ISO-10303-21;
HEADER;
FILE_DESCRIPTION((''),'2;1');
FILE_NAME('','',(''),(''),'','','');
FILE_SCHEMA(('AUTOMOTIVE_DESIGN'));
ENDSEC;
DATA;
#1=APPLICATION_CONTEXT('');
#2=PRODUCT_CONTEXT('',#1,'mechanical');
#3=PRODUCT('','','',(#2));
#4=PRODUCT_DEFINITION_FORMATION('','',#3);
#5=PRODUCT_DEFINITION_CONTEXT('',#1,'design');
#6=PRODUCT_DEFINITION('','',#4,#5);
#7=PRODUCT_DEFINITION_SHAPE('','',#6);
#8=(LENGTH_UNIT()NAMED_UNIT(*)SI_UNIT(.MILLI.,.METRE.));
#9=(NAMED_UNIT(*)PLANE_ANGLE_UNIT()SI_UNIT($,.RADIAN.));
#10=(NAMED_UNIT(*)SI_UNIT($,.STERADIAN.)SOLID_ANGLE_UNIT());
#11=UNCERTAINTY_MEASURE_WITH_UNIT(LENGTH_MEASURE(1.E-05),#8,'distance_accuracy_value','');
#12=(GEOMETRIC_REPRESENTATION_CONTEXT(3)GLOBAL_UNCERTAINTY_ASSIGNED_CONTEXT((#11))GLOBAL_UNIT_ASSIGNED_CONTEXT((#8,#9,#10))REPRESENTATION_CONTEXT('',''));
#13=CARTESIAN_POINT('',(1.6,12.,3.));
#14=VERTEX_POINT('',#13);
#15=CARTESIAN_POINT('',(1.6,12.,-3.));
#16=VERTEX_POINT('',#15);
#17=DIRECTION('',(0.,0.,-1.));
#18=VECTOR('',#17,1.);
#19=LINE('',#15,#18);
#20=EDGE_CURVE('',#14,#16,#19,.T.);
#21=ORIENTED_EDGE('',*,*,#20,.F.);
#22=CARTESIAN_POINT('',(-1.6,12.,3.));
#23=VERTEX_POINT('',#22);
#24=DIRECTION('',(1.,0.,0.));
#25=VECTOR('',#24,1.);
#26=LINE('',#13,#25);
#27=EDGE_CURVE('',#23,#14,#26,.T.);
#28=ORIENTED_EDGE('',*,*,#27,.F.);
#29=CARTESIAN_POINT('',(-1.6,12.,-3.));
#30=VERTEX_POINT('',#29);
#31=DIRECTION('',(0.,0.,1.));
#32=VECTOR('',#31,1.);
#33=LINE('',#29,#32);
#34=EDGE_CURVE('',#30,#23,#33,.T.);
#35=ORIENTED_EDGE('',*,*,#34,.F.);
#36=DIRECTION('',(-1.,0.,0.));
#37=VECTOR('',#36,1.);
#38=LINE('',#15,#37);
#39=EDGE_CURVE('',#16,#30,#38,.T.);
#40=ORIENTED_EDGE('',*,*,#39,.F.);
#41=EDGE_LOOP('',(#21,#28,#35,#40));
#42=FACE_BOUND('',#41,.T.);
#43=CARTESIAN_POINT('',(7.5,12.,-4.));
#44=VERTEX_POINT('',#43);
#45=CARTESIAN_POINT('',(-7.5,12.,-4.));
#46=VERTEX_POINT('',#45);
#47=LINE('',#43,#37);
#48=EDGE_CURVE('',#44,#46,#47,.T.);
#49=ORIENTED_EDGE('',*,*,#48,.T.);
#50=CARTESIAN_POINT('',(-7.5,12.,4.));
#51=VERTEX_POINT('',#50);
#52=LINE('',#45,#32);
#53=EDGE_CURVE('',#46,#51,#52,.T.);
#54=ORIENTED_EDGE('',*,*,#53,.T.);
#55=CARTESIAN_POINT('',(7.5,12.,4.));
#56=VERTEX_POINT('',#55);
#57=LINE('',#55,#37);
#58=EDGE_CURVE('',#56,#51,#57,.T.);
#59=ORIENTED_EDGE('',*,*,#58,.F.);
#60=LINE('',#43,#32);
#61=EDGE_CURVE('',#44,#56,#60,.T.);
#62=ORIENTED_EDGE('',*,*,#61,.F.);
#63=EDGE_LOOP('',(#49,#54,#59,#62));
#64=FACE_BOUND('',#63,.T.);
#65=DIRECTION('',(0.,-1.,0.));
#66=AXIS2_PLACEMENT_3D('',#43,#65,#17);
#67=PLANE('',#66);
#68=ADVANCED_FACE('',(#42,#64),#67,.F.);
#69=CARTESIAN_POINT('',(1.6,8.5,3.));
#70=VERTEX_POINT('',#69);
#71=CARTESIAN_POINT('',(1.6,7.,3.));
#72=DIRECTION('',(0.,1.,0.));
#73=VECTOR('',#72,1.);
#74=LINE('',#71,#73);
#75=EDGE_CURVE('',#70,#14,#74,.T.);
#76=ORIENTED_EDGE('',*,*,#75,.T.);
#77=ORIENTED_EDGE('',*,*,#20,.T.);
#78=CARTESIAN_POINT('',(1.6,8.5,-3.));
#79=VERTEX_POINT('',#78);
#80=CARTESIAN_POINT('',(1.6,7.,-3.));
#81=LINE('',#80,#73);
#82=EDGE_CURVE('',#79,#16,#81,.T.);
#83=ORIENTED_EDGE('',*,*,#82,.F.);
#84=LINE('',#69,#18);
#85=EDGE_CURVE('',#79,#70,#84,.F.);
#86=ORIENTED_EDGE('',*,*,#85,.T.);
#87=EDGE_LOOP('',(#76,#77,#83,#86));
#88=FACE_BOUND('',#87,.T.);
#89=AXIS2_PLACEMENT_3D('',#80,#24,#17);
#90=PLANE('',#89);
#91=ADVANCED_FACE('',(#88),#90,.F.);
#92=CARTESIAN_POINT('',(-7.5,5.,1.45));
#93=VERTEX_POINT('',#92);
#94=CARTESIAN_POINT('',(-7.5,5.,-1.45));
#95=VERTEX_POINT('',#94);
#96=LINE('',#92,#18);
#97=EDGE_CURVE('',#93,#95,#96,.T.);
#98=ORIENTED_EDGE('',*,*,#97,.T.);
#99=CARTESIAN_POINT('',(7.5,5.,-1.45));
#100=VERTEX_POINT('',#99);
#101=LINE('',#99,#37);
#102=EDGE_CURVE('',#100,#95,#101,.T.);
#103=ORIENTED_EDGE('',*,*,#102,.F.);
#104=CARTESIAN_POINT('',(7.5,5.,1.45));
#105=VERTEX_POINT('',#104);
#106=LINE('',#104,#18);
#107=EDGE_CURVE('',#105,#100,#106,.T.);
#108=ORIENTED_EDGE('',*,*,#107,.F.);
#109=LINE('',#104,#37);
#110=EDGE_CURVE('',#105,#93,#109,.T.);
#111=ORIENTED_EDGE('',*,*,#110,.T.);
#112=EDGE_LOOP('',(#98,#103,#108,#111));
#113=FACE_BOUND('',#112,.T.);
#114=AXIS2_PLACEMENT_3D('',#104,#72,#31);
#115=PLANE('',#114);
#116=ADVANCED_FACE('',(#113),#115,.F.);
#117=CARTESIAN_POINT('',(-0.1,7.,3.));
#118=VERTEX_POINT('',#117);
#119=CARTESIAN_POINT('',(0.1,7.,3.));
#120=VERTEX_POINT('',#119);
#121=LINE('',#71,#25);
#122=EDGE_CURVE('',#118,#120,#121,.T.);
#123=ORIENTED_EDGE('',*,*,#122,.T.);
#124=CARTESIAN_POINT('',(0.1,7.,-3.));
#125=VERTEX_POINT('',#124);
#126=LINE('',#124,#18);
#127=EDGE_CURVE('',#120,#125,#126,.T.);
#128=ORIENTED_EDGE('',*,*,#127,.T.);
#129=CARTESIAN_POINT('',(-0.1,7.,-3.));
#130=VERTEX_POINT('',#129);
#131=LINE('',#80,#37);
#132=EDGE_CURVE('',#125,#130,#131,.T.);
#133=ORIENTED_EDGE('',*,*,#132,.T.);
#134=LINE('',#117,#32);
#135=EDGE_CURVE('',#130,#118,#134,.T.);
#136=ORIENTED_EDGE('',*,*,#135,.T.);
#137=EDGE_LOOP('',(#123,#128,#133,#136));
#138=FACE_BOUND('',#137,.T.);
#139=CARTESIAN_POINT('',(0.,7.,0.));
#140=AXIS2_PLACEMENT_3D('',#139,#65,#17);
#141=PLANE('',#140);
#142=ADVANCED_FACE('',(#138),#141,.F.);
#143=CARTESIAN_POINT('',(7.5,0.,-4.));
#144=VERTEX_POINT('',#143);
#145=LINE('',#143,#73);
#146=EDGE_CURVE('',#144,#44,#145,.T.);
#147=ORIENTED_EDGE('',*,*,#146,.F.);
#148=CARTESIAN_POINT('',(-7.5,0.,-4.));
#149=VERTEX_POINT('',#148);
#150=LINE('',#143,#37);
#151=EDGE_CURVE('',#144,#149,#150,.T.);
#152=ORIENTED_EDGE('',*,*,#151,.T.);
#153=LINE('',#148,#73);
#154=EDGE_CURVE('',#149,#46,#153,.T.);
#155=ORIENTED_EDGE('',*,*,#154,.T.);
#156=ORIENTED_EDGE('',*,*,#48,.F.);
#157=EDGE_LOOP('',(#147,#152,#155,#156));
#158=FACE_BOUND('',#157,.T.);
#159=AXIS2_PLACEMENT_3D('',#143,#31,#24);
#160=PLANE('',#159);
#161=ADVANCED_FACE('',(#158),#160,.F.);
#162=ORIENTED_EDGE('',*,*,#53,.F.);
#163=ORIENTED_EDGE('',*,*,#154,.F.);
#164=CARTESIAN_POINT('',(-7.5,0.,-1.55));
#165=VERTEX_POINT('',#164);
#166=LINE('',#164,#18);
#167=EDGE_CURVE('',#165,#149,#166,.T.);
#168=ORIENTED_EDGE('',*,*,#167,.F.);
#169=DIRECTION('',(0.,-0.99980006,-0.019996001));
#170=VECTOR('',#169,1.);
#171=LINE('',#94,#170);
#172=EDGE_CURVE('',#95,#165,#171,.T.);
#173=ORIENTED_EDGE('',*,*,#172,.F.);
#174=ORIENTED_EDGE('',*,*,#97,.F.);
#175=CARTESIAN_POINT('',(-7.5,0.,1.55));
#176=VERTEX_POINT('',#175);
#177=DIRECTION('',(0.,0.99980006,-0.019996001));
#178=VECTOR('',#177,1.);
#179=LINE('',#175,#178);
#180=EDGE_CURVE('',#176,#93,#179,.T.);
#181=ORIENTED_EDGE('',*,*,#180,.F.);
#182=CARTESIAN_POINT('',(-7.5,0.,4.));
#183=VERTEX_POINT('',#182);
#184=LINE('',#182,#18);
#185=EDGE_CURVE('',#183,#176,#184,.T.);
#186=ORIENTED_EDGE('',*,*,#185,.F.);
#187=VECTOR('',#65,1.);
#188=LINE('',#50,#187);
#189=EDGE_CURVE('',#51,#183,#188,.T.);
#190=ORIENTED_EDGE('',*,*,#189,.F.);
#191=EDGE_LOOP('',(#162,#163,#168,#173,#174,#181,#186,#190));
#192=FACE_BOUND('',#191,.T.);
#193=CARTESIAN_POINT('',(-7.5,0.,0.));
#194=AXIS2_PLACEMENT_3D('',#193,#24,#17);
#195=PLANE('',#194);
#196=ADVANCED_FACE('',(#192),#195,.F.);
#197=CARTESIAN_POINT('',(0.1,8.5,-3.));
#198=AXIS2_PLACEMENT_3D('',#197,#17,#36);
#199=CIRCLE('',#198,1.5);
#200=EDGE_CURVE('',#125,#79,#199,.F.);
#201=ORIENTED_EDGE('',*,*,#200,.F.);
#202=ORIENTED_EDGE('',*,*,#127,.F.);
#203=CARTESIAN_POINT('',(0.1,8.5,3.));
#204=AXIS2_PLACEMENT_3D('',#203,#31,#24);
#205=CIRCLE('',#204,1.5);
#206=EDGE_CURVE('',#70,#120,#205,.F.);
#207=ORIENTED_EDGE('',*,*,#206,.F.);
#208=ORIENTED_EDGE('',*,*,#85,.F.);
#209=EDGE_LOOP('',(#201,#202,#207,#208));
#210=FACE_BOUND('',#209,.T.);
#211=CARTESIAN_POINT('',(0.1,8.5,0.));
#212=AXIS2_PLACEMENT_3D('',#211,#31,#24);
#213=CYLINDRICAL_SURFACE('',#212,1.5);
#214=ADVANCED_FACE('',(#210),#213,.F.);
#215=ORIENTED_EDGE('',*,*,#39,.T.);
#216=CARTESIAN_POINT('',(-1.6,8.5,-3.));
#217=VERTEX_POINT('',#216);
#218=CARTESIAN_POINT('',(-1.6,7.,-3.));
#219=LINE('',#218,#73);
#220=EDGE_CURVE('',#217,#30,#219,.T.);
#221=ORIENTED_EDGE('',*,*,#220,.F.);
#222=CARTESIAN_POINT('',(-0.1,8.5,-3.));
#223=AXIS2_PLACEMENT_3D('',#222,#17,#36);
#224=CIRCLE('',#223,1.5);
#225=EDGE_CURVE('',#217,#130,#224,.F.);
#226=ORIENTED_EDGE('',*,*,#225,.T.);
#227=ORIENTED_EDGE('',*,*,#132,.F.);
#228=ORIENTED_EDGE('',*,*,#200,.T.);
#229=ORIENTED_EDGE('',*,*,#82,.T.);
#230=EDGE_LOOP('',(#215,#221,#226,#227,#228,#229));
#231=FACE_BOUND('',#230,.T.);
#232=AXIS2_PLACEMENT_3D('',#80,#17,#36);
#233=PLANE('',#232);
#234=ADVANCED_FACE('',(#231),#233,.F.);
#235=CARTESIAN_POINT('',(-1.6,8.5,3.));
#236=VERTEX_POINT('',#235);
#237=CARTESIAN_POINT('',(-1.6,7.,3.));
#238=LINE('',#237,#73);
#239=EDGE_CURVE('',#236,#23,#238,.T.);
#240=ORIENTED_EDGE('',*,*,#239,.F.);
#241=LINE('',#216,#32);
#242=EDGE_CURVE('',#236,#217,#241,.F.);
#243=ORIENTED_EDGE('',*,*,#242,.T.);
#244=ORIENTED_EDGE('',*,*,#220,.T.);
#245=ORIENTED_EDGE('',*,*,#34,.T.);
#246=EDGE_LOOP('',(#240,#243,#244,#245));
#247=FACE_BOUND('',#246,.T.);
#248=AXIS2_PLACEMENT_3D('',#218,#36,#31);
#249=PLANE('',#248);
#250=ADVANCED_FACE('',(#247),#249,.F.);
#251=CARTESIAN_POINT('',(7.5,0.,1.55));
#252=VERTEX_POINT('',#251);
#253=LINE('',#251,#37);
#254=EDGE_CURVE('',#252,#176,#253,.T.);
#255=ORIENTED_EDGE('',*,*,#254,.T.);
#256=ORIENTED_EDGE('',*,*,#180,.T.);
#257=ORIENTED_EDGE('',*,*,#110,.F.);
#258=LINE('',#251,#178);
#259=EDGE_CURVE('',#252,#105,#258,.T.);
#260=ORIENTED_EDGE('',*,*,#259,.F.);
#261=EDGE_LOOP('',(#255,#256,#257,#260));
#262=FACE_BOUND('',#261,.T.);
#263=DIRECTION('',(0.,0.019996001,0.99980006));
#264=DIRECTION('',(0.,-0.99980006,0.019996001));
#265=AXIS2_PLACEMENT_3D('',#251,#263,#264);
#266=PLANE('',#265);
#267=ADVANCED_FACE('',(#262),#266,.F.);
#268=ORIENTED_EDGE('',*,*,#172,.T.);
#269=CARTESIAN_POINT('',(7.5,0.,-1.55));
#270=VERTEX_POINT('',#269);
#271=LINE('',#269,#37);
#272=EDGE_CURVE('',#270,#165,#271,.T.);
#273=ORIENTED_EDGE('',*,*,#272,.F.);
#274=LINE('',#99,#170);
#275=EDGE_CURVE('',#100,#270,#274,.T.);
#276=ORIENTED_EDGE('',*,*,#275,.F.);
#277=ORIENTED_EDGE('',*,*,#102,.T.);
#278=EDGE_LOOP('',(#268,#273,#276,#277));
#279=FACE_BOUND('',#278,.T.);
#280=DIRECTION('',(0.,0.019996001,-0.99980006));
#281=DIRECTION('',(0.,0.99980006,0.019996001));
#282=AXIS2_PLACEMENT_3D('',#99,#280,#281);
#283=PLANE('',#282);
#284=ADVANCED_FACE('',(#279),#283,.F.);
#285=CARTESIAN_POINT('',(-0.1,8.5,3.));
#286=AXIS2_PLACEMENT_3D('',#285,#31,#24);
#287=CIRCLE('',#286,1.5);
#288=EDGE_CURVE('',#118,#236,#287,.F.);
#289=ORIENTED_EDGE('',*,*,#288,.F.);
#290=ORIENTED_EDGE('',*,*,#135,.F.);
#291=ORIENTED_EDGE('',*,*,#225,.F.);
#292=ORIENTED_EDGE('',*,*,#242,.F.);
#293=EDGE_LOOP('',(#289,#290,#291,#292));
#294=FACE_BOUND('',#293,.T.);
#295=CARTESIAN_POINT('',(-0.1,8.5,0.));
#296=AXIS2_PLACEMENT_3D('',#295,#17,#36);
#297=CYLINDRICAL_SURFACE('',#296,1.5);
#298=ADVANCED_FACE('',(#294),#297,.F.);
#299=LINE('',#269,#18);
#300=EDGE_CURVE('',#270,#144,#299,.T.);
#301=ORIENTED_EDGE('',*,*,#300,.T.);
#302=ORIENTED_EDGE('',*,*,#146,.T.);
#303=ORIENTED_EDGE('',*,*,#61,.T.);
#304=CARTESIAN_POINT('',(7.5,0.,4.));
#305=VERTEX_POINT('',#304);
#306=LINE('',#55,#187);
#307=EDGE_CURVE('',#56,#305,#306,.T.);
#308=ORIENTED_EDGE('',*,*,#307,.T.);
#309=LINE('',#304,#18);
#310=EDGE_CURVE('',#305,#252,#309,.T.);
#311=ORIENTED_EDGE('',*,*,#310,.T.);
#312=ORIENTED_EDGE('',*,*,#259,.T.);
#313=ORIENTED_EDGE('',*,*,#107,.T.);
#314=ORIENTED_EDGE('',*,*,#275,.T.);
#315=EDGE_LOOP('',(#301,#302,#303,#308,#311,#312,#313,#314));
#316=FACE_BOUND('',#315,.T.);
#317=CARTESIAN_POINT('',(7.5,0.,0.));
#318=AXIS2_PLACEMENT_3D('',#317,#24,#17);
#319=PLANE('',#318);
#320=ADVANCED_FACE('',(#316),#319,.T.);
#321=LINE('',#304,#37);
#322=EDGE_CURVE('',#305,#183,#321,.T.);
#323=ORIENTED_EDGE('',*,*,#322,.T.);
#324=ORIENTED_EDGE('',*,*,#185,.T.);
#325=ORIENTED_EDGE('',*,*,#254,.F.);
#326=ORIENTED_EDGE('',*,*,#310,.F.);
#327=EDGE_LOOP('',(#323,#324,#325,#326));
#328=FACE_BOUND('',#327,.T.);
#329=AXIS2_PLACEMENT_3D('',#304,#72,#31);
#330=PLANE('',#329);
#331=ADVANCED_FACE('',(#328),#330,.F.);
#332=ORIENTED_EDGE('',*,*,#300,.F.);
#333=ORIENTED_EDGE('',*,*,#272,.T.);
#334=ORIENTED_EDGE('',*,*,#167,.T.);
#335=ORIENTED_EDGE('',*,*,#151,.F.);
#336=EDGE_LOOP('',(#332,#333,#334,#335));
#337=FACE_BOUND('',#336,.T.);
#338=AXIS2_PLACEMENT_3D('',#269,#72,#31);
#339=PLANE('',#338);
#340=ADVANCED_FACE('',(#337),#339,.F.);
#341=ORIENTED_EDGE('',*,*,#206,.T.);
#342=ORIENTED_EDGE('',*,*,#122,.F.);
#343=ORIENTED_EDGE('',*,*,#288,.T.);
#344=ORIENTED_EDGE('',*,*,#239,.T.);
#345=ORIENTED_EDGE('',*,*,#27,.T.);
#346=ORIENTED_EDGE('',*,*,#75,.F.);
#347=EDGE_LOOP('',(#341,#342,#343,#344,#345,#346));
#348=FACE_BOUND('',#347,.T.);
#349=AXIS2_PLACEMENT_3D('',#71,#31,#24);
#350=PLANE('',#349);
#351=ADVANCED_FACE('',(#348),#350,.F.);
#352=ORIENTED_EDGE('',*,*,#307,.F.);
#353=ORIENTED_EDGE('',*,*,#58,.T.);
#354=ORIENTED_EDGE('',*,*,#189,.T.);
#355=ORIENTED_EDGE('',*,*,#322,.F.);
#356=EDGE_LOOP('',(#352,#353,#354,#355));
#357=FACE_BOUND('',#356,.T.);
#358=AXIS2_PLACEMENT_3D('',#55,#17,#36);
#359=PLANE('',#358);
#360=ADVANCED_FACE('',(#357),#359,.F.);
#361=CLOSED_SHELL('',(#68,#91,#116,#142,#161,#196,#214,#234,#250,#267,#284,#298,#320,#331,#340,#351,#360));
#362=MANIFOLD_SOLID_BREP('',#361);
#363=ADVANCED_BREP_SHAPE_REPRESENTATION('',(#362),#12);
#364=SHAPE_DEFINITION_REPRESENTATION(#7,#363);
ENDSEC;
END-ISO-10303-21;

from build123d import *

# Parameters (mm, degrees)
BOSS_EXTRUDE1_DEPTH = 7.5
SKETCH2_W           = 3.2
SKETCH2_H           = 6
CUT_EXTRUDE1_DEPTH  = 5
FILLET1_R           = 1.5


with BuildPart() as part:
    # Sketch1 → Boss-Extrude1 (new body, symmetric)
    with BuildSketch(Plane(origin=(0, 0, 0), x_dir=(0, 0, -1), z_dir=(1, 0, 0))):
        Polygon((-1.55, 0), (-1.45, 5), (1.45, 5), (1.55, 0), (4, 0), (4, 12), (-4, 12), (-4, 0), align=None)
    extrude(amount=BOSS_EXTRUDE1_DEPTH, both=True)

    # Sketch2 → Cut-Extrude1 (cut)
    with BuildSketch(Plane(origin=(0, 12, 0), x_dir=(1, 0, 0), z_dir=(0, 1, 0))):
        Rectangle(SKETCH2_W, SKETCH2_H)
    extrude(amount=-CUT_EXTRUDE1_DEPTH, mode=Mode.SUBTRACT)

    # Fillet1
    fillet1_edges = [part.edges().sort_by_distance(p)[0] for p in [
        (1.6, 7, 0),
        (-1.6, 7, 0),
    ]]
    fillet(fillet1_edges, radius=FILLET1_R)


solid = part.part
